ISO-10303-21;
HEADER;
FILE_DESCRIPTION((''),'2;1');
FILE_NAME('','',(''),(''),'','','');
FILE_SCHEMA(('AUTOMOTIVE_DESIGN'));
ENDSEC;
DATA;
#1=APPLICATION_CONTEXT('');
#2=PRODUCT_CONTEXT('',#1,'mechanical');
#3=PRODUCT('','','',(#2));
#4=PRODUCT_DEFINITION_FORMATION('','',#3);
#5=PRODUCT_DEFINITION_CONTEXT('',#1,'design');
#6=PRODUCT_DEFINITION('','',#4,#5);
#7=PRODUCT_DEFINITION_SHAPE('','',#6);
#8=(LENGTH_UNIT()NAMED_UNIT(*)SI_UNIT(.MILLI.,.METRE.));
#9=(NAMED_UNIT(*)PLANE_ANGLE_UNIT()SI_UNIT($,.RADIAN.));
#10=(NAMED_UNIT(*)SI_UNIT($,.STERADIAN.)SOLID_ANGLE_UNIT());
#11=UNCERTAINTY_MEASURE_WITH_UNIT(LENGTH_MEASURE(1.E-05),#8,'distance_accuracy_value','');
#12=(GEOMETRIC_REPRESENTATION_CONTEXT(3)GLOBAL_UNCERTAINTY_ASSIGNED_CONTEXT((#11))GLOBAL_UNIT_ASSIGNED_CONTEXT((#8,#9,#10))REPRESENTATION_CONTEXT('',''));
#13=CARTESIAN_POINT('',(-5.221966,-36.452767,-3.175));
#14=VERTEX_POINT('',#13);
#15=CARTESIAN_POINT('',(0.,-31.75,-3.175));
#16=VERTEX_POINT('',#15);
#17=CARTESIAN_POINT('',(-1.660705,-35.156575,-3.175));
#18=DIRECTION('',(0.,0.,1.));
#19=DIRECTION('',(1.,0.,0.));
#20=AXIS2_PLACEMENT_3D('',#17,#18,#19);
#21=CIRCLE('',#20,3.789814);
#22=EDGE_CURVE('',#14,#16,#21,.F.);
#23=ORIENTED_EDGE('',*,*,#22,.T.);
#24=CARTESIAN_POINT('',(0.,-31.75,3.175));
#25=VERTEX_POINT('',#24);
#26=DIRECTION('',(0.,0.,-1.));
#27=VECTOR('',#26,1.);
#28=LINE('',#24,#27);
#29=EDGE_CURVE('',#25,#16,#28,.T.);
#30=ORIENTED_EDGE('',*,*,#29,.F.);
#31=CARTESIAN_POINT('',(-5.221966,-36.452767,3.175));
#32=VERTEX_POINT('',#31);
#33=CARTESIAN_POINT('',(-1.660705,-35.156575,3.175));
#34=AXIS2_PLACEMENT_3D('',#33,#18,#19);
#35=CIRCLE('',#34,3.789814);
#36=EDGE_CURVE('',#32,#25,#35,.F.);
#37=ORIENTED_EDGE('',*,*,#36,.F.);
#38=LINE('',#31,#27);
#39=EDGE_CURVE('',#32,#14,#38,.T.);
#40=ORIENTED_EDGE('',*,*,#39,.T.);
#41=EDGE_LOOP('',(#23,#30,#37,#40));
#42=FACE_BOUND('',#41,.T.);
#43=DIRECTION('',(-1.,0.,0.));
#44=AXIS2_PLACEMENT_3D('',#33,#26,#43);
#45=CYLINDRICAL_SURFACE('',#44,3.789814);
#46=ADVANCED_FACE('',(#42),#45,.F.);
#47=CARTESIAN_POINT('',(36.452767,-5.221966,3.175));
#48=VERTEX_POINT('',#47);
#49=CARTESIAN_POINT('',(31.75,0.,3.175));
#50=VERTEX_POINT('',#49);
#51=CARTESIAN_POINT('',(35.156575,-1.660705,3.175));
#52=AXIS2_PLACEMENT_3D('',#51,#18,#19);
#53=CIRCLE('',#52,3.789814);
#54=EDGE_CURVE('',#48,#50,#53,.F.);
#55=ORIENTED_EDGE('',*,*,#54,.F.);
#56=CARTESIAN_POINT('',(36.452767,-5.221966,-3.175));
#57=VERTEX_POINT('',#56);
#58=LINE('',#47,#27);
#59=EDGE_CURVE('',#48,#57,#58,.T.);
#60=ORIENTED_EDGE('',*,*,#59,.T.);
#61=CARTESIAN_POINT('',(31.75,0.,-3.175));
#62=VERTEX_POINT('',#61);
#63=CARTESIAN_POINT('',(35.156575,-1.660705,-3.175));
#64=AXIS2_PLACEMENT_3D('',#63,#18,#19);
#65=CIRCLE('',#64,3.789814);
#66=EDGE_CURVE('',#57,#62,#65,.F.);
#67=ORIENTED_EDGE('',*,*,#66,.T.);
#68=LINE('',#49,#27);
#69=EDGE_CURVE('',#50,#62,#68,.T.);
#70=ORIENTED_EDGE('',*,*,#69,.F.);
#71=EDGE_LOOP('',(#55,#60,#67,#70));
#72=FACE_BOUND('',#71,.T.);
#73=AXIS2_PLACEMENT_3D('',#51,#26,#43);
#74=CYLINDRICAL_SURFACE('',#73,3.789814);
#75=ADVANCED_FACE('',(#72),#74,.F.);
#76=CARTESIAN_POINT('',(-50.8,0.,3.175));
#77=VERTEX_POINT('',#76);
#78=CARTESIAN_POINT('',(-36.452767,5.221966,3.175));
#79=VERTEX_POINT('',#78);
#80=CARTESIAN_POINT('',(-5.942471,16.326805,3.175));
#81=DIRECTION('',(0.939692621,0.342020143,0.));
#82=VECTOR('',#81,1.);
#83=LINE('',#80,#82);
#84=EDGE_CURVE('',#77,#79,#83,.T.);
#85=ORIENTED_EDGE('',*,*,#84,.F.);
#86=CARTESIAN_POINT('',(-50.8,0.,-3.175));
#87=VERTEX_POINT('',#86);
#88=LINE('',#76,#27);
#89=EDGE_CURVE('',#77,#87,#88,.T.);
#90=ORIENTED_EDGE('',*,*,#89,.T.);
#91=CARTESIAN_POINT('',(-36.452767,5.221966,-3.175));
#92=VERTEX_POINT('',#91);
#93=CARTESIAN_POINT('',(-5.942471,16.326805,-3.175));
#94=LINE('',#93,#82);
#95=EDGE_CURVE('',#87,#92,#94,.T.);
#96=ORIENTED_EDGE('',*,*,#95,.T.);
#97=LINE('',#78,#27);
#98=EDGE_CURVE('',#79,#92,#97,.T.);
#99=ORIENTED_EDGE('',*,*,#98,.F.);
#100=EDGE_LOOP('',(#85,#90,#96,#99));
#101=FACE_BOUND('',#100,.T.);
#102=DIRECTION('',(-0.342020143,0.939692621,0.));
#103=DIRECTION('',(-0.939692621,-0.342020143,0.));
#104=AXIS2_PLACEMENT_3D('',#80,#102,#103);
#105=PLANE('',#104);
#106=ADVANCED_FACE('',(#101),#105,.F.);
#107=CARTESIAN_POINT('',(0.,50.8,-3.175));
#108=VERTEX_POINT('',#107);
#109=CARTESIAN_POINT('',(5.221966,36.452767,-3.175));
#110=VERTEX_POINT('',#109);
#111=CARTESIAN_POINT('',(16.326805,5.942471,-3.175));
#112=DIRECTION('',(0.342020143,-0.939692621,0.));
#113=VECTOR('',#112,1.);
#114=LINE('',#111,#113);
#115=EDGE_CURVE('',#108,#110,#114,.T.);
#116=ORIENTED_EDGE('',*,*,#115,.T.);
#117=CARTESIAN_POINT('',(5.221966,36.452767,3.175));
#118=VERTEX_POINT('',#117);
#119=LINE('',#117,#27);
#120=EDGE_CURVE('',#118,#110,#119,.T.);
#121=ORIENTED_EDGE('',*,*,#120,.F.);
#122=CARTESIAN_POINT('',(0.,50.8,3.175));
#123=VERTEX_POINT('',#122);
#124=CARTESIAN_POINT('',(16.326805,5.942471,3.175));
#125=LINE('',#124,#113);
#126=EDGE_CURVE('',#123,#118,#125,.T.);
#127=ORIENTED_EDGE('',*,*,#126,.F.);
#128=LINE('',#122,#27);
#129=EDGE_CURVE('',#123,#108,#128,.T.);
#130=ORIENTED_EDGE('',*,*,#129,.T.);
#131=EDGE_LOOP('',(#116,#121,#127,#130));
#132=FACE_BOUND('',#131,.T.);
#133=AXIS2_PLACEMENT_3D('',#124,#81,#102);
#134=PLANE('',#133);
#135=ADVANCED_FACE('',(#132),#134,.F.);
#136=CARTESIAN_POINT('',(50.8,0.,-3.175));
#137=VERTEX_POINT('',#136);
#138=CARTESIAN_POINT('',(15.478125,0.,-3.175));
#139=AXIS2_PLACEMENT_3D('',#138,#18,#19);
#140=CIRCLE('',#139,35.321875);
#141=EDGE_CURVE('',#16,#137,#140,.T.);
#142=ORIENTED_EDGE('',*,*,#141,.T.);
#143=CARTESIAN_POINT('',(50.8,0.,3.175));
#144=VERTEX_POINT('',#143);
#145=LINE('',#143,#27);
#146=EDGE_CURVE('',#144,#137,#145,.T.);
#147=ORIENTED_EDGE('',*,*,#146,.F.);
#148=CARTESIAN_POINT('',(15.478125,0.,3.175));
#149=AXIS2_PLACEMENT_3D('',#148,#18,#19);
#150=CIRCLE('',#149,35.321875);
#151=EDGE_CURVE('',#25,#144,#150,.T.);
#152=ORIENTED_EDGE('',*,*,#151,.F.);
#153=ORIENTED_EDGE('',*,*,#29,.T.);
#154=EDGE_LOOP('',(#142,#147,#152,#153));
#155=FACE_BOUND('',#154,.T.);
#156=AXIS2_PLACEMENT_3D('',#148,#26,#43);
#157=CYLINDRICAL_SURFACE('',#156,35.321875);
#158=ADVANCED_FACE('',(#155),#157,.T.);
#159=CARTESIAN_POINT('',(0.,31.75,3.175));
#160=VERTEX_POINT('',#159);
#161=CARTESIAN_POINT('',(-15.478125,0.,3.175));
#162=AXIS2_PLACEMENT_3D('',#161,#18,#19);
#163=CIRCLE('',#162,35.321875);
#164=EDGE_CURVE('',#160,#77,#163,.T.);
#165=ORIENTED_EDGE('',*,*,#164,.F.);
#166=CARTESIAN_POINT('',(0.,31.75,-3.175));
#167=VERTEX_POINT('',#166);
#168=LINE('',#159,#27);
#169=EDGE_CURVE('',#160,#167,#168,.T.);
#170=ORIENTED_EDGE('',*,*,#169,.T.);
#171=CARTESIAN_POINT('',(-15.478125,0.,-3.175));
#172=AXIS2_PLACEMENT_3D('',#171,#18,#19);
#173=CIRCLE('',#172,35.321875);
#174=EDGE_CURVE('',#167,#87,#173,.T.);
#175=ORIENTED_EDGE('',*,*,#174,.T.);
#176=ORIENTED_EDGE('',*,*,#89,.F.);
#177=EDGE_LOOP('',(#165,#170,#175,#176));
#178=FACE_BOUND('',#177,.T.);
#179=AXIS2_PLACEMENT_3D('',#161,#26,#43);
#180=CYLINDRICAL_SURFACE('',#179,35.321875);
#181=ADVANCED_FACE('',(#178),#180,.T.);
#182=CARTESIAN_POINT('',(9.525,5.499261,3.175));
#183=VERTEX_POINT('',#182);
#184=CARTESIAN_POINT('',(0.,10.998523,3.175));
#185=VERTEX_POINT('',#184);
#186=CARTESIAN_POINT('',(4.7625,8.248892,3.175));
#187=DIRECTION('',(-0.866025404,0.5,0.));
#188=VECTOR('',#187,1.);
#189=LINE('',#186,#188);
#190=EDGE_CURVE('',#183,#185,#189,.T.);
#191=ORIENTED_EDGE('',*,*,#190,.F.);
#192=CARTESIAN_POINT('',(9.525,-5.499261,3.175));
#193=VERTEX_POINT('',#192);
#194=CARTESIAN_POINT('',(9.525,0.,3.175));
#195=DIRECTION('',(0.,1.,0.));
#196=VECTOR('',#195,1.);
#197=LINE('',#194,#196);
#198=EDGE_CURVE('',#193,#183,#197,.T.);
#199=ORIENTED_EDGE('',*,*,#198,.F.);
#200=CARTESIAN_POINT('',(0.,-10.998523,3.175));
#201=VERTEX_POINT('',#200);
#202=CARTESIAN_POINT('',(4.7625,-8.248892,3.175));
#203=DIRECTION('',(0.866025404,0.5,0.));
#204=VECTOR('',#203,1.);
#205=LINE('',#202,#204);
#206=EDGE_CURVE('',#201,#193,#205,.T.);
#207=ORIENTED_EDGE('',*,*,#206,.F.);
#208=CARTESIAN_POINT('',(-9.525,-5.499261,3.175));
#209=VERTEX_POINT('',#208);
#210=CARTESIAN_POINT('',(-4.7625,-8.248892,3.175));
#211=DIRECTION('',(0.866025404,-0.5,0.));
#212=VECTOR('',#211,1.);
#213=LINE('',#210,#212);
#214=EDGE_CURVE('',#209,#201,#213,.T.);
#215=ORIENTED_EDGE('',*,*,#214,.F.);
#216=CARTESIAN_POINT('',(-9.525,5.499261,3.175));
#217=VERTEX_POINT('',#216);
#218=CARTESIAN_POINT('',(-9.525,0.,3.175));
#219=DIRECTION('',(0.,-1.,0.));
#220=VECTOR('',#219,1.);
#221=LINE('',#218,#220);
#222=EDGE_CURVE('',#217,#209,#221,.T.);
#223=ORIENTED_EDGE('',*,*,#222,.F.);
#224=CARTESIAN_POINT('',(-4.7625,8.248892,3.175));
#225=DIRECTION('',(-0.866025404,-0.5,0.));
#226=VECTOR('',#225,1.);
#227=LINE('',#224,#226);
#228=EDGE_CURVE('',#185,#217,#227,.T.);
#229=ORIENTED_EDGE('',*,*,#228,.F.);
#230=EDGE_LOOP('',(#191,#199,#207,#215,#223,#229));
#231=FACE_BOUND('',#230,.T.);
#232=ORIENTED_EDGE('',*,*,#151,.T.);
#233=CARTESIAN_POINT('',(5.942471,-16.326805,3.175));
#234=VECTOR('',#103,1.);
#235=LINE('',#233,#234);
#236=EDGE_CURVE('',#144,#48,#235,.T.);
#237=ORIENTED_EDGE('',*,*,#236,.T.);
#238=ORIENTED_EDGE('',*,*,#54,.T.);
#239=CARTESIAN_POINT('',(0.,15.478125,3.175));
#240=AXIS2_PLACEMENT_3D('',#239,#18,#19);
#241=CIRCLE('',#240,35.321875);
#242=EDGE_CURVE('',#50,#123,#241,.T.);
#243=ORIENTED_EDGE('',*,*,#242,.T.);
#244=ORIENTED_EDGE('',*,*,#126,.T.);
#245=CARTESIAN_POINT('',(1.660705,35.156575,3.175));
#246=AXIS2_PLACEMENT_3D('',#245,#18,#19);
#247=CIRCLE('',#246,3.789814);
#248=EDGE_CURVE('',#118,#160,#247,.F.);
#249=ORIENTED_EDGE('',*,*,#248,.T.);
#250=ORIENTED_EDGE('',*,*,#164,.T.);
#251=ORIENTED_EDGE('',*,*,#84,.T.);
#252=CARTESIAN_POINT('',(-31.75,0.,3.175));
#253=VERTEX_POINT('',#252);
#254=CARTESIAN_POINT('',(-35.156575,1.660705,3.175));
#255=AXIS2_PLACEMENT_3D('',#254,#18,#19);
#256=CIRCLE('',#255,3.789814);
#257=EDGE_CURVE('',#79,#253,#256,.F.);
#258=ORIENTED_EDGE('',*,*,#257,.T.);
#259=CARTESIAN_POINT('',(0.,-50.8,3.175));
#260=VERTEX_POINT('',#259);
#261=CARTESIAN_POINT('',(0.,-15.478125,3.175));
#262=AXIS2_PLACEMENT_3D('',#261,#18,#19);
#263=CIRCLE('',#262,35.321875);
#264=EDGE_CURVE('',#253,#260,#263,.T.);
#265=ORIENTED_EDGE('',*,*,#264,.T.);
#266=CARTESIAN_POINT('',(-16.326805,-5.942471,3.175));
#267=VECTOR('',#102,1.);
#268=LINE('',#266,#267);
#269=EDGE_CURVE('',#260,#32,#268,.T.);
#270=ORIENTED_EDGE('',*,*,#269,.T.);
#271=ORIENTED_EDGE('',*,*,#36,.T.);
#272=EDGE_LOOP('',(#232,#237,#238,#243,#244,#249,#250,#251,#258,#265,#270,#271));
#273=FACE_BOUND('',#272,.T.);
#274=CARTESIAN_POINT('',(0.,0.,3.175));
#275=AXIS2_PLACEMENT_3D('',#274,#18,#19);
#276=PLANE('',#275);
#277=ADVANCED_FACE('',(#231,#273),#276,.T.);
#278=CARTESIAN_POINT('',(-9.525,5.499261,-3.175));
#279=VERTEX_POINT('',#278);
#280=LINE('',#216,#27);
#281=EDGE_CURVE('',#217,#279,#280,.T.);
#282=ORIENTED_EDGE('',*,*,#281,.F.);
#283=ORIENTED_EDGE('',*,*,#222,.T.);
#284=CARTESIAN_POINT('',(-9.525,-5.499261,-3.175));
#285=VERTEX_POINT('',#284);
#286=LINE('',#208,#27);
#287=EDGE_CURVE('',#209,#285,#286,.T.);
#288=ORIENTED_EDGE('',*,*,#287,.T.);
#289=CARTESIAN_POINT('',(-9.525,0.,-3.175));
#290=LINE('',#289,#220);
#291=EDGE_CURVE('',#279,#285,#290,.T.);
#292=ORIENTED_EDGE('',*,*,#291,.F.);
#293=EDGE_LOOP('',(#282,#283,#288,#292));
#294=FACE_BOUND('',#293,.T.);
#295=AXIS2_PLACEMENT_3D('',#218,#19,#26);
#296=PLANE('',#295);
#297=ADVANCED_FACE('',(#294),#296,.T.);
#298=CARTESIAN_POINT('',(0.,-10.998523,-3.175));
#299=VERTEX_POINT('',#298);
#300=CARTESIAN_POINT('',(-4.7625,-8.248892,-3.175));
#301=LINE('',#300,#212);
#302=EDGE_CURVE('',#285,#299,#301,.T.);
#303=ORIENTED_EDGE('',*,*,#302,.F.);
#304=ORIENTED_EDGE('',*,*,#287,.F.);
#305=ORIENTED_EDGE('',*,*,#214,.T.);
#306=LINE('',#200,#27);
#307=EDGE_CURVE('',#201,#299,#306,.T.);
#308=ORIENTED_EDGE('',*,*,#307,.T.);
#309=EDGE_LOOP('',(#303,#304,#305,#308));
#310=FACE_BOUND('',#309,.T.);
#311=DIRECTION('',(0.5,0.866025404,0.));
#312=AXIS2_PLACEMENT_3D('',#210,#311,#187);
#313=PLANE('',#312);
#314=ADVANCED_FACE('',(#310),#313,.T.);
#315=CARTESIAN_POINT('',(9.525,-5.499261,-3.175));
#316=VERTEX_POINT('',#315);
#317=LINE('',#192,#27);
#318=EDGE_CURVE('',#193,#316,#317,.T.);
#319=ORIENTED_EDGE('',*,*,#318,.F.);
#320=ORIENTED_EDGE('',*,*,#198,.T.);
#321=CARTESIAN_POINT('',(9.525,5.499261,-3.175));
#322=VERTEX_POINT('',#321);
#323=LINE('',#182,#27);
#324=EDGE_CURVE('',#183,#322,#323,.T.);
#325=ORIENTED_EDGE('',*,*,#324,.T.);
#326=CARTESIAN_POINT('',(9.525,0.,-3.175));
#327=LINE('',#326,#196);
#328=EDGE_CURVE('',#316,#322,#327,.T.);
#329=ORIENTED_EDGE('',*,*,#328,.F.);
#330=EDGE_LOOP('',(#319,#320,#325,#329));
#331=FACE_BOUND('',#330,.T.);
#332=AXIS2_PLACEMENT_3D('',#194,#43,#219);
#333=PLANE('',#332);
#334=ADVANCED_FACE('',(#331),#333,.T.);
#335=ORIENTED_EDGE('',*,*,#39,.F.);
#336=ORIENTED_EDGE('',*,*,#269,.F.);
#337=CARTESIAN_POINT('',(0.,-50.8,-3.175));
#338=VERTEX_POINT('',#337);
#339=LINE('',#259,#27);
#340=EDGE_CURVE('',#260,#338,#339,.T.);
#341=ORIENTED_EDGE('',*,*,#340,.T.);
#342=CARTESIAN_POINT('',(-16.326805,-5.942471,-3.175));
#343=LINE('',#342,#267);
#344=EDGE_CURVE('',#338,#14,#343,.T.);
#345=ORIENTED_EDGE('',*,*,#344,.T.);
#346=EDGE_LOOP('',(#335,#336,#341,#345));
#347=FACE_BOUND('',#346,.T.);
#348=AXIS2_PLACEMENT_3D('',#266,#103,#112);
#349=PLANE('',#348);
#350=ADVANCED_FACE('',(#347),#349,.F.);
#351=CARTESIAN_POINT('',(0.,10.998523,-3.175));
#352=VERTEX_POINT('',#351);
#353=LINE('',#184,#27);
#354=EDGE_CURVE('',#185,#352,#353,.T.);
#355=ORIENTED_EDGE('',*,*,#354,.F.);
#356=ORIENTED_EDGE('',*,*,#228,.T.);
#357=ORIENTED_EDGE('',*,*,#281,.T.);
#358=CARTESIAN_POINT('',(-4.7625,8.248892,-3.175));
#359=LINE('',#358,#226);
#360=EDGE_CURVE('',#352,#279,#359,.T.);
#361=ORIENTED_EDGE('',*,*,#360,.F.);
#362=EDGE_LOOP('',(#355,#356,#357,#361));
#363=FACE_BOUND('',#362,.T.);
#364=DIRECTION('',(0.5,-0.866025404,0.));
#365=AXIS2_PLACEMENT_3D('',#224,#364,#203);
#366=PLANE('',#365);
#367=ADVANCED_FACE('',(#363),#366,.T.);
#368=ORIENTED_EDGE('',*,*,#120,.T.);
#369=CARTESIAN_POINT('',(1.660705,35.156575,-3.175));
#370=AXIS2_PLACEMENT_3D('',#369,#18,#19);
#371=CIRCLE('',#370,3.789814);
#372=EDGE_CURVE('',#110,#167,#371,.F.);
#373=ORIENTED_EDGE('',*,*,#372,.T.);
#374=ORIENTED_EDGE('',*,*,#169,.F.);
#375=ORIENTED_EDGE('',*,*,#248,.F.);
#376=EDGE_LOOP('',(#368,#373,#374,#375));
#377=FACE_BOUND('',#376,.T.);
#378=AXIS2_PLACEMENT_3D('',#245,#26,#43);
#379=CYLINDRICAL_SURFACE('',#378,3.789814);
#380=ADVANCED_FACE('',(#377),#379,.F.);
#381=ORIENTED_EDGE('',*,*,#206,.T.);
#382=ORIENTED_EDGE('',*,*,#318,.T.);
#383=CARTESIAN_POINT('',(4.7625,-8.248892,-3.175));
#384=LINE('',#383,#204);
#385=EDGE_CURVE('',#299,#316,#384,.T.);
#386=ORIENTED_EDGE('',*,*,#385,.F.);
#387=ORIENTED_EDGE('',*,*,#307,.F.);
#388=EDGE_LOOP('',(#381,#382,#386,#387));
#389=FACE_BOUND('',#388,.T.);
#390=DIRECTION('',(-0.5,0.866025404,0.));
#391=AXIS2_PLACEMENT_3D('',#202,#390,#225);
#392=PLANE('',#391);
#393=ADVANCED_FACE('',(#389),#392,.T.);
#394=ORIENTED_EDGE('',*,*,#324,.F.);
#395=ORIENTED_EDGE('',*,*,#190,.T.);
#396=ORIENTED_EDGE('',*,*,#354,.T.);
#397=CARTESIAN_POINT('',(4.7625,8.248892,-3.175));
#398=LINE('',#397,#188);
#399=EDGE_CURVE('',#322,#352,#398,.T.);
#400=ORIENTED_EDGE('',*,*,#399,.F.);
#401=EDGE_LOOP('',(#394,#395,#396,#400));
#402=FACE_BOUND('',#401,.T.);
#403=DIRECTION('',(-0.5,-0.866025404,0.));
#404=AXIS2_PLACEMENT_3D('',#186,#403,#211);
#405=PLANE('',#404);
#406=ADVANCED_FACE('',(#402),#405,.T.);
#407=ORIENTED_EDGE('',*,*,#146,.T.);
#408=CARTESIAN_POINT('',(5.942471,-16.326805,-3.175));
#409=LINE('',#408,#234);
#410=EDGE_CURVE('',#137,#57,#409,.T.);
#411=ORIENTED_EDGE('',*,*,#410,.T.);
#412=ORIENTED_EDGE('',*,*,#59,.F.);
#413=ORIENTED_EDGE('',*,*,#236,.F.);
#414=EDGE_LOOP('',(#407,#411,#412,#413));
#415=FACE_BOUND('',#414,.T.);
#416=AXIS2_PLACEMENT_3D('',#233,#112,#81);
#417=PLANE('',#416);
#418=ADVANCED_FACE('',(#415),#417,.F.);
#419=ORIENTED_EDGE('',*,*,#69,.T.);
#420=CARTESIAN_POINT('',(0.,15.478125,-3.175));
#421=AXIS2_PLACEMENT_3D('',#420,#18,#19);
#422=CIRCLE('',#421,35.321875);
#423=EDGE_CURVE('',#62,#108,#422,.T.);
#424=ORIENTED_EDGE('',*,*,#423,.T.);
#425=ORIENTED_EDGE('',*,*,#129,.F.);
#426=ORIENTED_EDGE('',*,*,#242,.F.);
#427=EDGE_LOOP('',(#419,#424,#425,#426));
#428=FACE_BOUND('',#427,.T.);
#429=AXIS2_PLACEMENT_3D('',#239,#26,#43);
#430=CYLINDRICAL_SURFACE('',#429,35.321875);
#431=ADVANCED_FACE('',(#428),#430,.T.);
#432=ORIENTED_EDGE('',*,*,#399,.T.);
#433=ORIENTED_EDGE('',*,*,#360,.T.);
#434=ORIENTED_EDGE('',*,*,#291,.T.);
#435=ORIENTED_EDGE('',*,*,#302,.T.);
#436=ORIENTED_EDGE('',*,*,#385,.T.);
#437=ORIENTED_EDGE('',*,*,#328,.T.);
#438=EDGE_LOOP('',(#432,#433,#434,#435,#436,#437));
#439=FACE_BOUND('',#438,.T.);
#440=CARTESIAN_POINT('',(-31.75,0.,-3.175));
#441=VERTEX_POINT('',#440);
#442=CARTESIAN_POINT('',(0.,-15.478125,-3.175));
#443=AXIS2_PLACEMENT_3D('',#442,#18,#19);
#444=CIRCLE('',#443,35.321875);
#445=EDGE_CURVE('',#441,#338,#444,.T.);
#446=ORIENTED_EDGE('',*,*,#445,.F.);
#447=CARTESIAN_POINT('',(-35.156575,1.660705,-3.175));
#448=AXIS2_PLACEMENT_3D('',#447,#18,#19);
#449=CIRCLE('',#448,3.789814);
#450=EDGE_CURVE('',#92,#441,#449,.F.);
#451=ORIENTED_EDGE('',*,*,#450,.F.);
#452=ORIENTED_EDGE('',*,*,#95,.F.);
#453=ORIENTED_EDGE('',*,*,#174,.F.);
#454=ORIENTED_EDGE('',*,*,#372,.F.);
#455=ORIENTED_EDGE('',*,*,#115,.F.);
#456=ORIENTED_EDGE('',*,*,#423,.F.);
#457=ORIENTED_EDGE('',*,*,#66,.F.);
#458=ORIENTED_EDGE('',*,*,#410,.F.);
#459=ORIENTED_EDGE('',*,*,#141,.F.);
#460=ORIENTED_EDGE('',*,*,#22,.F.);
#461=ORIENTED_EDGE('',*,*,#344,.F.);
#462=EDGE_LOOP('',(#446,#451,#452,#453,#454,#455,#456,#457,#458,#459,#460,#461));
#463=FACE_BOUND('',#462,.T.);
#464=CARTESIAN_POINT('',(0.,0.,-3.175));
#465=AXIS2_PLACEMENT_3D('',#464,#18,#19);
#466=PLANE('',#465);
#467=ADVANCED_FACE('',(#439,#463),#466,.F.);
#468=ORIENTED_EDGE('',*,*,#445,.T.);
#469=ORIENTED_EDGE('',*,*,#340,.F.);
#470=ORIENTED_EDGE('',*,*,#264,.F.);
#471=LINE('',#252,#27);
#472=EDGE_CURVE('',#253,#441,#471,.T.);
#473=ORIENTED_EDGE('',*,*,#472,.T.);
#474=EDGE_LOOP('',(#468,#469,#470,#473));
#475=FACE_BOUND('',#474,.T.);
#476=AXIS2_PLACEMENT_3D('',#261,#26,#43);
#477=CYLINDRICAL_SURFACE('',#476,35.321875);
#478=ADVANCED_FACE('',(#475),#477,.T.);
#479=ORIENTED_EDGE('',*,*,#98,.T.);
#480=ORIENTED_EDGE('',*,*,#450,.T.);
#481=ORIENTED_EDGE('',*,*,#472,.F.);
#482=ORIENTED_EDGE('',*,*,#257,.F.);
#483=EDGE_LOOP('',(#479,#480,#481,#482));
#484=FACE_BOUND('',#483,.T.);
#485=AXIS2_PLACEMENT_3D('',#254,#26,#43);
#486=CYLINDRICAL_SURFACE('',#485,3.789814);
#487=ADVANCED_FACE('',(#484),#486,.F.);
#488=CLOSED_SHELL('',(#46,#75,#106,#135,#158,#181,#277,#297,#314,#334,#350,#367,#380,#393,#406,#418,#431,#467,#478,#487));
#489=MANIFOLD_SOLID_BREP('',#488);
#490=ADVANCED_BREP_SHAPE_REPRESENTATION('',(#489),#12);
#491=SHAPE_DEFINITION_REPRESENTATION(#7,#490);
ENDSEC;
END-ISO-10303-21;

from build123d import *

# Parameters (mm, degrees)
BOSS_EXTRUDE1_DEPTH = 3.175


with BuildPart() as part:
    # Sketch2 → Boss-Extrude1 (new body, symmetric)
    with BuildSketch(Plane.XY):
        with BuildLine():
            ThreePointArc((-5.221965604, -36.452767418), (-4.196850428, -32.340432027), (0, -31.75))
            ThreePointArc((0, -31.75), (34.198681309, -29.952890094), (50.8, 0))
            Line((50.8, 0), (36.452767418, -5.221965604))
            ThreePointArc((36.452767418, -5.221965604), (32.340432027, -4.196850428), (31.75, 0))
            ThreePointArc((31.75, 0), (29.952890094, 34.198681309), (0, 50.8))
            Line((0, 50.8), (5.221965604, 36.452767418))
            ThreePointArc((5.221965604, 36.452767418), (4.196850428, 32.340432027), (0, 31.75))
            ThreePointArc((0, 31.75), (-34.198681309, 29.952890094), (-50.8, 0))
            Line((-50.8, 0), (-36.452767418, 5.221965604))
            ThreePointArc((-36.452767418, 5.221965604), (-32.340432027, 4.196850428), (-31.75, 0))
            ThreePointArc((-31.75, 0), (-29.952890094, -34.198681309), (0, -50.8))
            Line((0, -50.8), (-5.221965604, -36.452767418))
        make_face()
        Polygon((9.525, -5.499261314), (0, -10.998522628), (-9.525, -5.499261314), (-9.525, 5.499261314), (0, 10.998522628), (9.525, 5.499261314), align=None, mode=Mode.SUBTRACT)
    extrude(amount=BOSS_EXTRUDE1_DEPTH, both=True)


solid = part.part
